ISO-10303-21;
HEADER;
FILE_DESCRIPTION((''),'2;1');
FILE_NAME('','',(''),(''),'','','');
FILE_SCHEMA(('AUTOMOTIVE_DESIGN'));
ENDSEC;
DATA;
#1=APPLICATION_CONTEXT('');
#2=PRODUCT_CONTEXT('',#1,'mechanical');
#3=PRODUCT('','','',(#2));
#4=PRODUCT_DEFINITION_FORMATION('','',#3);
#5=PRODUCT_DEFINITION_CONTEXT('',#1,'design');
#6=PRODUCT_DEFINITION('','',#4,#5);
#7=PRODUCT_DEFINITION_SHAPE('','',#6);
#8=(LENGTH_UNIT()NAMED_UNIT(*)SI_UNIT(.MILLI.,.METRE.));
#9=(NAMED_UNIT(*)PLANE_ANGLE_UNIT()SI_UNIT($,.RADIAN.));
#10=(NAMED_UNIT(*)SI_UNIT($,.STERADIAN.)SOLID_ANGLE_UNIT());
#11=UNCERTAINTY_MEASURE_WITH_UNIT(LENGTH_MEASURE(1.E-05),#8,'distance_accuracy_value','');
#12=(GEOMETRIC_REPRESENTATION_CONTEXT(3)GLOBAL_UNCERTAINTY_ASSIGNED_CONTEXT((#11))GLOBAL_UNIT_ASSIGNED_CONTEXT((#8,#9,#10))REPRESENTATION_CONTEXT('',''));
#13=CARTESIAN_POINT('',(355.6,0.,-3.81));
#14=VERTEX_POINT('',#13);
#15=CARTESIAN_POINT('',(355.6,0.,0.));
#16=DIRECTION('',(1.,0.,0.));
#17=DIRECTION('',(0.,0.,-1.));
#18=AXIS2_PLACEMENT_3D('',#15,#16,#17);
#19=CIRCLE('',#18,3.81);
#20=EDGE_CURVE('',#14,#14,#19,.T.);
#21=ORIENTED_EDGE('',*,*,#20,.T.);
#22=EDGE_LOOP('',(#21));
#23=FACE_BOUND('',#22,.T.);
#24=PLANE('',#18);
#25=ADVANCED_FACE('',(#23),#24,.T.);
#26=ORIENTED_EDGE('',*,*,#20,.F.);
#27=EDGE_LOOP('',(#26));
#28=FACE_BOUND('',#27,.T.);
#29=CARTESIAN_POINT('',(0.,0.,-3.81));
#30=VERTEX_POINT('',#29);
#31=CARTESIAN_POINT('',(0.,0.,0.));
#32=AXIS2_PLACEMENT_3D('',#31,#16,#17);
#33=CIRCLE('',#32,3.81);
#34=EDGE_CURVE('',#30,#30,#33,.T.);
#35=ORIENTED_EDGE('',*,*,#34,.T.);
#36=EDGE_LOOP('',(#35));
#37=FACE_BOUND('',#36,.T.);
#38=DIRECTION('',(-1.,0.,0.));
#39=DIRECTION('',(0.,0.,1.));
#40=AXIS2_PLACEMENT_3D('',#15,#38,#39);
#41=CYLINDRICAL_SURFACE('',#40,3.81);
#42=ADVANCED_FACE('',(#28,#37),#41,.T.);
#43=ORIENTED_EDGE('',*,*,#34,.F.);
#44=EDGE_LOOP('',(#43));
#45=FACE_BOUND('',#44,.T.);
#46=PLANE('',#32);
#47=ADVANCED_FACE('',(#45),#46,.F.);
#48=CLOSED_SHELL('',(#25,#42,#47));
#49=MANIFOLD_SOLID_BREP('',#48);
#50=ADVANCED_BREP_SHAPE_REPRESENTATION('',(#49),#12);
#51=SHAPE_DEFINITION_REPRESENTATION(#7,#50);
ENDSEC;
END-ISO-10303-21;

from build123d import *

# Parameters (mm, degrees)
SKETCH1_R           = 3.81
BOSS_EXTRUDE1_DEPTH = 355.6


with BuildPart() as part:
    # Sketch1 → Boss-Extrude1 (new body)
    with BuildSketch(Plane(origin=(0, 0, 0), x_dir=(0, 0, -1), z_dir=(1, 0, 0))):
        Circle(SKETCH1_R)
    extrude(amount=BOSS_EXTRUDE1_DEPTH)


solid = part.part
